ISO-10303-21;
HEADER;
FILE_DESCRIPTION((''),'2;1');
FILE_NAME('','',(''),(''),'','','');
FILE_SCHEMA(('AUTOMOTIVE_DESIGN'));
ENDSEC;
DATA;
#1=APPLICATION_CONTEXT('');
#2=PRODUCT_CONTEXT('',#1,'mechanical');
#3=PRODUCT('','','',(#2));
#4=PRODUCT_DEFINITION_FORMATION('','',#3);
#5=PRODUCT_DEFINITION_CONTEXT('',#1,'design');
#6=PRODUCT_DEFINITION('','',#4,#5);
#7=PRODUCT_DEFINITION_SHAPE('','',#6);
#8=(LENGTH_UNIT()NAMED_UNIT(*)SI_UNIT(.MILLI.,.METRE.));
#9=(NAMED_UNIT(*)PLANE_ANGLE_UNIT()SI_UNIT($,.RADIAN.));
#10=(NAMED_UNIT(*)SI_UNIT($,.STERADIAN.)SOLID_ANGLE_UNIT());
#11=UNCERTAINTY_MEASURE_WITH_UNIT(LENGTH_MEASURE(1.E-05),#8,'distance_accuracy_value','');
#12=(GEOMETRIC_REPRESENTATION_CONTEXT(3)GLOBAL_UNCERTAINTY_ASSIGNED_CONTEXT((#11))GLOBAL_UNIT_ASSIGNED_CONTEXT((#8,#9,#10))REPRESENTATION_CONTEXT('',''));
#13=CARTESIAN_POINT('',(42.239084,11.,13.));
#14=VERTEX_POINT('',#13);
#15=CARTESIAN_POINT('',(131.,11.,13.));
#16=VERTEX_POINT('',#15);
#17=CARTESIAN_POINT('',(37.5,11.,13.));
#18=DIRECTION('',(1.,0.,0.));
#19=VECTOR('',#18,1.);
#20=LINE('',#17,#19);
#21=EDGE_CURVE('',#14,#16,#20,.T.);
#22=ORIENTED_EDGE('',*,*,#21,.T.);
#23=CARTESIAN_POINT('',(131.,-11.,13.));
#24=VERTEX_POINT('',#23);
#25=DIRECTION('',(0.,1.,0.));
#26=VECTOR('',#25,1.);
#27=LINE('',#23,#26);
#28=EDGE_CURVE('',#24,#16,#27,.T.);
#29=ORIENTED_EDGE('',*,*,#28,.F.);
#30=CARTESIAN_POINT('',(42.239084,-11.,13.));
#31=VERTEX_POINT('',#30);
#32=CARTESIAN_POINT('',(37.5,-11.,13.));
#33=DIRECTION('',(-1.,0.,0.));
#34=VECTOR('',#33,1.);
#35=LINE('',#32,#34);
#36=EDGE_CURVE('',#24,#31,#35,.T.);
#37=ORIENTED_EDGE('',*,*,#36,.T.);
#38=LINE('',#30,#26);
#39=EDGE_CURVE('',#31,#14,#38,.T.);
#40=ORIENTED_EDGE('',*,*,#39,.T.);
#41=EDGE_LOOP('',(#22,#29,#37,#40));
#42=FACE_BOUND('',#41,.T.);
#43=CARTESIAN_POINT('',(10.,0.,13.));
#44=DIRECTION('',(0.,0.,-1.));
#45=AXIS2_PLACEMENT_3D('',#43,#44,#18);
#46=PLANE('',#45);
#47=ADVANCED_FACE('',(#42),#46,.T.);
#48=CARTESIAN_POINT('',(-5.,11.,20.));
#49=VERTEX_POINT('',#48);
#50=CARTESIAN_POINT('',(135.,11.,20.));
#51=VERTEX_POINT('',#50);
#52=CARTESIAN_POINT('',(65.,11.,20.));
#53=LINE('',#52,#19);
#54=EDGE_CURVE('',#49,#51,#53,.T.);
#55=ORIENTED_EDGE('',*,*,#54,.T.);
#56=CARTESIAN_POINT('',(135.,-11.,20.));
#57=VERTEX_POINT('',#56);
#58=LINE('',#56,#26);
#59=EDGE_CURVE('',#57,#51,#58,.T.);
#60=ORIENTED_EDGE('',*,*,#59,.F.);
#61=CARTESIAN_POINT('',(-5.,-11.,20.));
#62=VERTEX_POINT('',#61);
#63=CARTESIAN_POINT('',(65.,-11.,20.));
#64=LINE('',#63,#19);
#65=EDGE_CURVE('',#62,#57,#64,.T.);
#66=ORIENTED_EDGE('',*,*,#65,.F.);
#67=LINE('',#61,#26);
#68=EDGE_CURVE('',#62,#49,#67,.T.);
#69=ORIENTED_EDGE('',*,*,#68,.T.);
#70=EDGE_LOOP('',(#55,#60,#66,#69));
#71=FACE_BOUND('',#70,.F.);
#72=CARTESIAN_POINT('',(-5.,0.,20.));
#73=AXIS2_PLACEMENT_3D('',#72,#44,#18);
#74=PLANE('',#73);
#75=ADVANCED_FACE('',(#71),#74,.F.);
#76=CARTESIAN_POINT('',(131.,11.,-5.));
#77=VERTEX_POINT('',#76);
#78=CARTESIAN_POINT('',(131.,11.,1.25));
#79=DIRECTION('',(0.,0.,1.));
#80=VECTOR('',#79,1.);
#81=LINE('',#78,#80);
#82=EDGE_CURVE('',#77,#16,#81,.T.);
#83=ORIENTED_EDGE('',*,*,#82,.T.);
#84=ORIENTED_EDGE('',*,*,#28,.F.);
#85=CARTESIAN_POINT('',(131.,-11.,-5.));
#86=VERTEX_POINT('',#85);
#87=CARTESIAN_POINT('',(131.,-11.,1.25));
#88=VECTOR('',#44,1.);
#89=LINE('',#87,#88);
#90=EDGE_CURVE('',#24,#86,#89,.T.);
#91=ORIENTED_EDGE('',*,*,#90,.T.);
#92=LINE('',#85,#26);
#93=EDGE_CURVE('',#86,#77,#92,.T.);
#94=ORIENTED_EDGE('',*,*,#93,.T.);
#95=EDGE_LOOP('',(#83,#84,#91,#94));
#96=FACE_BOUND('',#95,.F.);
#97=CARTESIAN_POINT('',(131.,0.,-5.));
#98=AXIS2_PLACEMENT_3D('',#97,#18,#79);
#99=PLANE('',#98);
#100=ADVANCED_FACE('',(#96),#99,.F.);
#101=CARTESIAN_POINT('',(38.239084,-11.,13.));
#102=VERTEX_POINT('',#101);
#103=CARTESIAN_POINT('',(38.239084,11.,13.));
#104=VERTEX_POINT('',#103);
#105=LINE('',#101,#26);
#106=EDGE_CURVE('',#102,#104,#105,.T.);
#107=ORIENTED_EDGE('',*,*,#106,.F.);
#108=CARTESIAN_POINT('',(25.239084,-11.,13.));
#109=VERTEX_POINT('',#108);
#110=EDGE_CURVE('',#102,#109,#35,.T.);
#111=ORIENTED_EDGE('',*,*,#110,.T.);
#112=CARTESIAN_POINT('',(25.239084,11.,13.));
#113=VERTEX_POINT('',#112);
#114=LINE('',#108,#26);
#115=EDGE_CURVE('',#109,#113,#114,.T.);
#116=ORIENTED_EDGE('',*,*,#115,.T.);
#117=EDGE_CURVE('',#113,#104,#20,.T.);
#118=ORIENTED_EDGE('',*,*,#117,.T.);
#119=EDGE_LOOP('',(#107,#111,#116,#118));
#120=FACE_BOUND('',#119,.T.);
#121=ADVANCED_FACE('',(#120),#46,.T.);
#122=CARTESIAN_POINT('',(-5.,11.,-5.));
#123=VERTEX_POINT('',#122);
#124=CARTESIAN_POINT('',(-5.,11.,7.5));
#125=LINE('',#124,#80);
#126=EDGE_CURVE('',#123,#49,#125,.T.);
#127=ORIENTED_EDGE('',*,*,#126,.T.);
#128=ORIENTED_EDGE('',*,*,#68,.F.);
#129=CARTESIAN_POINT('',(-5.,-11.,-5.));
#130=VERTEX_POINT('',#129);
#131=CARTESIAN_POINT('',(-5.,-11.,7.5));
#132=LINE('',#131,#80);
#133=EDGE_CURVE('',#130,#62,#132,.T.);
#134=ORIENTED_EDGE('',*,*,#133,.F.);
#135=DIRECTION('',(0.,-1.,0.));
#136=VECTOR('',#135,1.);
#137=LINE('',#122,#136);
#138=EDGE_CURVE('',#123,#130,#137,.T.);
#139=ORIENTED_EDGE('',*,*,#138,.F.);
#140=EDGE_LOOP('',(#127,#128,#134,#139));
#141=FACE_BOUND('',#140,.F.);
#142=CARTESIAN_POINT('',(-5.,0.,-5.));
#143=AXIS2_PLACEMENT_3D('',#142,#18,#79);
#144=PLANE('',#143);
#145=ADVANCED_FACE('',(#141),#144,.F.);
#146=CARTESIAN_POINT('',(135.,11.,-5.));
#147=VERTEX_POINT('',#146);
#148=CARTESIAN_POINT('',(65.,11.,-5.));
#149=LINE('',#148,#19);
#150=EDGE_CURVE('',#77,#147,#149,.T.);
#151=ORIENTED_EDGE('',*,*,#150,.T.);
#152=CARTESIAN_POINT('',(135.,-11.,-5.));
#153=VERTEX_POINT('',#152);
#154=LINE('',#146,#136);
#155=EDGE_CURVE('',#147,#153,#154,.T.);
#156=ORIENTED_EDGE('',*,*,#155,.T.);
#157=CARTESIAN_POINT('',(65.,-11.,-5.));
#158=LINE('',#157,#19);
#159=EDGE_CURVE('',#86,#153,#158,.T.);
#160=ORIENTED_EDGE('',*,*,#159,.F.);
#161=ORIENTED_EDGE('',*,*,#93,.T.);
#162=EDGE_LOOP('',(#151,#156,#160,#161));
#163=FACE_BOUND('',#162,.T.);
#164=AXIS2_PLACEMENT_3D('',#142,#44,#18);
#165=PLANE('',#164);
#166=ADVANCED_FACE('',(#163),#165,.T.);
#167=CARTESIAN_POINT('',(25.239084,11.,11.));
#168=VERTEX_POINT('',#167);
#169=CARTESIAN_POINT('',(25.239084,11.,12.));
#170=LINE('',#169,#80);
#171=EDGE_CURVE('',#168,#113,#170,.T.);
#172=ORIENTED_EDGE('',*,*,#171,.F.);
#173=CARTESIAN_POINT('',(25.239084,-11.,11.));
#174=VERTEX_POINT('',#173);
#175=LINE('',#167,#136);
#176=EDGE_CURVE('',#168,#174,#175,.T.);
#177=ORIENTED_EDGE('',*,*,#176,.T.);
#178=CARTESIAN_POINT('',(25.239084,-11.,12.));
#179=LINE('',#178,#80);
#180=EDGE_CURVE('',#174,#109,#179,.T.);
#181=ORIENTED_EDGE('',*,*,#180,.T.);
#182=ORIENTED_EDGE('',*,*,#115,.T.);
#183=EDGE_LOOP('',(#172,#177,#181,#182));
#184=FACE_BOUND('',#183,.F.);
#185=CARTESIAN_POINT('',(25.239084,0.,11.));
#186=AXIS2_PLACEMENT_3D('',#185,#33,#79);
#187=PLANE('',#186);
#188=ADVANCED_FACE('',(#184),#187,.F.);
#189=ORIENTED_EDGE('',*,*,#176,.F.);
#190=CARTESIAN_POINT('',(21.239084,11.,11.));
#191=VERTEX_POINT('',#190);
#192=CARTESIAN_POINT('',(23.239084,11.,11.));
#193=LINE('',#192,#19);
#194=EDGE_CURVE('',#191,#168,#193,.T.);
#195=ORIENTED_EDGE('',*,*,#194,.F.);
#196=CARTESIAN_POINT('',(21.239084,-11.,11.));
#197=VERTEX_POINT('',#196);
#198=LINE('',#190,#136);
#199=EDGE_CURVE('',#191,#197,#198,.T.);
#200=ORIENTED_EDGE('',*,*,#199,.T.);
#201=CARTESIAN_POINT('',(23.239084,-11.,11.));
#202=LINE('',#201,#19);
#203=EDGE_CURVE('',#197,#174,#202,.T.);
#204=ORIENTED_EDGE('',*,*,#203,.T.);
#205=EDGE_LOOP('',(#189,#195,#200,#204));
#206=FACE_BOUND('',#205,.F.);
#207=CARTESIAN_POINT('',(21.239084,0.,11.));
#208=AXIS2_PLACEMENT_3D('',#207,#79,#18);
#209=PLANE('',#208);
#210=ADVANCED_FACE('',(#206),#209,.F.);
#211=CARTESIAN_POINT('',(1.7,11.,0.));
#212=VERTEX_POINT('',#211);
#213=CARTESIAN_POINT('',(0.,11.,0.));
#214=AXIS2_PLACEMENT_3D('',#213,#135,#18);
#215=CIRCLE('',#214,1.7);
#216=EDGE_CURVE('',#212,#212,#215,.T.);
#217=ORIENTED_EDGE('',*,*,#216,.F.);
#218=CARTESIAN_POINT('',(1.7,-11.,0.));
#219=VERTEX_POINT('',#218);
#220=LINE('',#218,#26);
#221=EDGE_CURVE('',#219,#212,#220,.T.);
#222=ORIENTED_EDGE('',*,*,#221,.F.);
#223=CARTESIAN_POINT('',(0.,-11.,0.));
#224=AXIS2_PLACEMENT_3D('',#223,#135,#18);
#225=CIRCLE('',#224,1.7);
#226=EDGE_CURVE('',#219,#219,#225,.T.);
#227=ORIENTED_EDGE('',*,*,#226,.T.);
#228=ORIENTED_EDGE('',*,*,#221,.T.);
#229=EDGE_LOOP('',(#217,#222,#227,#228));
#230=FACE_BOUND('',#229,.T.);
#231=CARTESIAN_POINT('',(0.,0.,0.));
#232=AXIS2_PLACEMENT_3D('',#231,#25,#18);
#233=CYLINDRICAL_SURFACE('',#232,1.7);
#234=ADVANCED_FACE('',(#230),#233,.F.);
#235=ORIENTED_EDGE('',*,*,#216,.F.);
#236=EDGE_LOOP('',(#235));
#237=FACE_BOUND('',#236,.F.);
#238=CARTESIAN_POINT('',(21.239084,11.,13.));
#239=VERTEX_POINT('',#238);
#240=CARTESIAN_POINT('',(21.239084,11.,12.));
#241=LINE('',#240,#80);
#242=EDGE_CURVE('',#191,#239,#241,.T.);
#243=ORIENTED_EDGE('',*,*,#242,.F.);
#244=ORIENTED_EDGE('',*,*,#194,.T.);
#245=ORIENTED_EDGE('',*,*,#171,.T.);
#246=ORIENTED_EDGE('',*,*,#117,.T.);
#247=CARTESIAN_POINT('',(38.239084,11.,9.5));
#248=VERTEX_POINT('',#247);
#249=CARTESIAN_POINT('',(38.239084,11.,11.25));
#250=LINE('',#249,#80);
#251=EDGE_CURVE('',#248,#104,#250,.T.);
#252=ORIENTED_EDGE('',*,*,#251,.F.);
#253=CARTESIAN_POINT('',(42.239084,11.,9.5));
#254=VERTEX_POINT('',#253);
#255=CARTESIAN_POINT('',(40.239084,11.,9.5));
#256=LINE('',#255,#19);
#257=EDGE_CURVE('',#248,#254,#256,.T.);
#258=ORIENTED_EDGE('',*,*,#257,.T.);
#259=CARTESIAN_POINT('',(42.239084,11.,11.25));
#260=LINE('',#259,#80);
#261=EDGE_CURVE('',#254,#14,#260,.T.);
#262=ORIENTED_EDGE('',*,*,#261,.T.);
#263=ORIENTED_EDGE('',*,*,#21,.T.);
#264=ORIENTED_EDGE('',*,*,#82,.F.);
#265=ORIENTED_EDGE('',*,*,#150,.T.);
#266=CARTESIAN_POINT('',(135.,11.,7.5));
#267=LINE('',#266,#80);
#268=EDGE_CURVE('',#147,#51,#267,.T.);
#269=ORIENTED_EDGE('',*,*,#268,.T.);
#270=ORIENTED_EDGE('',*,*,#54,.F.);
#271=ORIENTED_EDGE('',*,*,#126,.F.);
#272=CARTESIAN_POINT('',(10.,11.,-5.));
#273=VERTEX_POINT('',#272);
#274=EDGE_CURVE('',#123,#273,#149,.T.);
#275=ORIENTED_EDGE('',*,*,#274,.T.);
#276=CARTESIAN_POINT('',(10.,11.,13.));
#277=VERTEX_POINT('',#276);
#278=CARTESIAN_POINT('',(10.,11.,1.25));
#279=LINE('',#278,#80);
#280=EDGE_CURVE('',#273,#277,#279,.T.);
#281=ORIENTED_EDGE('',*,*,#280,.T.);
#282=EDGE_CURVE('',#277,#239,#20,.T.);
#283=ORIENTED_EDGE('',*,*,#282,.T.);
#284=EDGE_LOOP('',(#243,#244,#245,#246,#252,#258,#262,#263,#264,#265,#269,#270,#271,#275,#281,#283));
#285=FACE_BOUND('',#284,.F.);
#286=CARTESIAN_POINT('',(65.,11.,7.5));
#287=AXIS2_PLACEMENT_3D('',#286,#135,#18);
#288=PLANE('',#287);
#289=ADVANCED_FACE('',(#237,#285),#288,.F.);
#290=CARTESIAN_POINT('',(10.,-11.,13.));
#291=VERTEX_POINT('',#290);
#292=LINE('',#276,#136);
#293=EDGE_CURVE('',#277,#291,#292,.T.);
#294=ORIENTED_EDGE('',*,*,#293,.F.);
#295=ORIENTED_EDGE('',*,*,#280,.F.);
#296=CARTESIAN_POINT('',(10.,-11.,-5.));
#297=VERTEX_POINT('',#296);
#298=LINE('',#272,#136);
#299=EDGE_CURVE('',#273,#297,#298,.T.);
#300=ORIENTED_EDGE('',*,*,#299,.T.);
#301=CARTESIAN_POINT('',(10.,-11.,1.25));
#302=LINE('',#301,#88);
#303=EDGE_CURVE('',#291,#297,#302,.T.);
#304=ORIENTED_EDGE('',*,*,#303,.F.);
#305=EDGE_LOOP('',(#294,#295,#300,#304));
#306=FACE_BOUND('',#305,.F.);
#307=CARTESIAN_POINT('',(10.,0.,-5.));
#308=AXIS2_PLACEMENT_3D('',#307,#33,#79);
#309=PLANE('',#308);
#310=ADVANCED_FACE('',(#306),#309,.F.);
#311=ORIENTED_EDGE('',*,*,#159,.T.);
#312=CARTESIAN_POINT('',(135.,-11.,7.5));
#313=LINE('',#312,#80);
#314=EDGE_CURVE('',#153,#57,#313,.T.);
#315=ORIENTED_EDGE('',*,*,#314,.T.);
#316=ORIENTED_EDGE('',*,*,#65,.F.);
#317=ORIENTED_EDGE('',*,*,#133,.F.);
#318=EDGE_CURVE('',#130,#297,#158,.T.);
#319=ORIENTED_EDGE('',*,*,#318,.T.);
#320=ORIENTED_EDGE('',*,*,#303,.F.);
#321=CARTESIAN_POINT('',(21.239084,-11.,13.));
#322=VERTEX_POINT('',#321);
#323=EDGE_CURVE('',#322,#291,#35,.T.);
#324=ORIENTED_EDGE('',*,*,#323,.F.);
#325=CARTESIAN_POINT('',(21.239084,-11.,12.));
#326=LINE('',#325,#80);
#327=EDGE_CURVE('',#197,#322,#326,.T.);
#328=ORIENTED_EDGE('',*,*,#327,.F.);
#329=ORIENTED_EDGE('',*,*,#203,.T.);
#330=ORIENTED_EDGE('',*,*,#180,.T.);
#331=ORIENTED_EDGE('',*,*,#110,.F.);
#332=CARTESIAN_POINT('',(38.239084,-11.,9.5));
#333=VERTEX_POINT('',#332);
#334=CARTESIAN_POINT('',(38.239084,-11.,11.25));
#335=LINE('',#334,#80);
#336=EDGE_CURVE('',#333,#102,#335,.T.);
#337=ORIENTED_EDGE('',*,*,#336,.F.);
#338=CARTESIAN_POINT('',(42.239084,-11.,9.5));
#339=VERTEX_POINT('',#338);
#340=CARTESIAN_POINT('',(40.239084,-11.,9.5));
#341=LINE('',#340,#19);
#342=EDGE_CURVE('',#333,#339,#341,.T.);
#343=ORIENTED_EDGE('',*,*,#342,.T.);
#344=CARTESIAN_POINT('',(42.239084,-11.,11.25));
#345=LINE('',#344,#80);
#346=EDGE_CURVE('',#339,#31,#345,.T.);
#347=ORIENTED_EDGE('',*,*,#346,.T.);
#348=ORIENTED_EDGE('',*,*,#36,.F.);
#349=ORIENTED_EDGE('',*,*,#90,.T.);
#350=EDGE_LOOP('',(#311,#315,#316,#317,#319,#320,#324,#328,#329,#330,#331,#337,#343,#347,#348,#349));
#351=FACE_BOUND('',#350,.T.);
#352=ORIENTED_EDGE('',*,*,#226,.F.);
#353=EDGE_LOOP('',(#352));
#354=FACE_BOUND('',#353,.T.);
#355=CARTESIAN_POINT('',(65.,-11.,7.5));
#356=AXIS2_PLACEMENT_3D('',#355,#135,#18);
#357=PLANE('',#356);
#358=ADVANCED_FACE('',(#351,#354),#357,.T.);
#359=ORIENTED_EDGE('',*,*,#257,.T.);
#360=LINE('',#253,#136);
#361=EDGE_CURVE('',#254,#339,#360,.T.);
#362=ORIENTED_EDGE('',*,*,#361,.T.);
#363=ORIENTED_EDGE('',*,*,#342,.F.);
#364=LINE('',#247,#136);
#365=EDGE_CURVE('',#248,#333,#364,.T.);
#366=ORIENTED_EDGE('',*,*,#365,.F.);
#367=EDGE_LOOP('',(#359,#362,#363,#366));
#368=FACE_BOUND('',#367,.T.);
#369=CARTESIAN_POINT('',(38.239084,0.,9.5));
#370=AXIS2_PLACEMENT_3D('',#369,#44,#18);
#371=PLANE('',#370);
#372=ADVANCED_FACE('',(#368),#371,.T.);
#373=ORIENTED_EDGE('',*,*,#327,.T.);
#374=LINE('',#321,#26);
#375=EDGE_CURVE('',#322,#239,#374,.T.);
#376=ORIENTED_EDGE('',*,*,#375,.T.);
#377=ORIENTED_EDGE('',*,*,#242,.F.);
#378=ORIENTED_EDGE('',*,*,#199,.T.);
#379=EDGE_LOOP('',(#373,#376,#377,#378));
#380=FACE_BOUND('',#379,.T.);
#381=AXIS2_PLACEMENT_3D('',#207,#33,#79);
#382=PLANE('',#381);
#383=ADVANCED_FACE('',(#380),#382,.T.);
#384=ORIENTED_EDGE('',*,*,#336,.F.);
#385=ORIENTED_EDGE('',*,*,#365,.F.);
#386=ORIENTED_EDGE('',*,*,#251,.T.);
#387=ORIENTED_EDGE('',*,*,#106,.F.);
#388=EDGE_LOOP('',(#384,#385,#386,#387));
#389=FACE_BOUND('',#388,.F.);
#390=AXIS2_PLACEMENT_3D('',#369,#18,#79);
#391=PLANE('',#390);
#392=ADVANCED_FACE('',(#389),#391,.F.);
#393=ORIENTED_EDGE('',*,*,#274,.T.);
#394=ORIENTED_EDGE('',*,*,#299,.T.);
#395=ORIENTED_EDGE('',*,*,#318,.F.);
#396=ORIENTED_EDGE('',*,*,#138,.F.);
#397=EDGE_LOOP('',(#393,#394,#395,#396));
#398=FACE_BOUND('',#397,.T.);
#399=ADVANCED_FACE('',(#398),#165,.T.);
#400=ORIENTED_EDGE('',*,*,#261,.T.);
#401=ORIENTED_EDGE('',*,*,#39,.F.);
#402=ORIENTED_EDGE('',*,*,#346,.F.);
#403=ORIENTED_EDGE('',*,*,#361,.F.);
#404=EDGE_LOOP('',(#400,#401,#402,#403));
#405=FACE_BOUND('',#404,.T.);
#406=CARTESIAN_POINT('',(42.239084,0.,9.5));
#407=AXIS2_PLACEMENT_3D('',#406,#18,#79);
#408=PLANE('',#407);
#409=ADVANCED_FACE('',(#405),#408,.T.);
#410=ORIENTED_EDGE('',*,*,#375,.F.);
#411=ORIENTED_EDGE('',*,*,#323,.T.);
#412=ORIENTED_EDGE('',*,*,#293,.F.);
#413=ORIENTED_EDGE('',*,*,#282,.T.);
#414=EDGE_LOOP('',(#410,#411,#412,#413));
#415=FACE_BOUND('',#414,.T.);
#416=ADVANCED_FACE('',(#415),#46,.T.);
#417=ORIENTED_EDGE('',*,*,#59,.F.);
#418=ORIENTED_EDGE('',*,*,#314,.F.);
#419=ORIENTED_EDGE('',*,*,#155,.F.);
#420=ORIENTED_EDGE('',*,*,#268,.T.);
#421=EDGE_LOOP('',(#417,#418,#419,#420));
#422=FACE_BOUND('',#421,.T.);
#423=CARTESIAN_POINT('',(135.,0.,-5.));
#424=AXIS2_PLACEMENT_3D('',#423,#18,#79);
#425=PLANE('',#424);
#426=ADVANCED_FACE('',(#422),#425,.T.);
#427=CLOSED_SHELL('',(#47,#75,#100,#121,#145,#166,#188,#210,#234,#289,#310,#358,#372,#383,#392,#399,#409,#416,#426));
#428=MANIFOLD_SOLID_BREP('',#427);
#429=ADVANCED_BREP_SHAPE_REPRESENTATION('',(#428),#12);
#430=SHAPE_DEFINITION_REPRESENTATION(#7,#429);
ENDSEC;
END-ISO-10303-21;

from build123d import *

# Parameters (mm, degrees)
SKETCH_W          = 140
SKETCH_H          = 25
SKETCH_R          = 1.7
PAD_DEPTH         = 11
SKETCH001_W       = 121
SKETCH001_H       = 18
POCKET_DEPTH      = 11.001
POCKET_DEPTH_BACK = 11.001
SKETCH002_W       = 4
SKETCH002_H       = 2
SKETCH002_H_2     = 3.5
PAD001_DEPTH      = 11


with BuildPart() as part:
    # Sketch → Pad (new body, symmetric)
    with BuildSketch(Plane.XZ):
        with Locations((65, 7.5)):
            Rectangle(SKETCH_W, SKETCH_H)
        Circle(SKETCH_R, mode=Mode.SUBTRACT)
    extrude(amount=PAD_DEPTH, both=True)

    # Sketch001 → Pocket (cut, two sides)
    with BuildSketch(Plane.XZ) as pocket_sk:
        with Locations((70.5, 4)):
            Rectangle(SKETCH001_W, SKETCH001_H)
    extrude(amount=-POCKET_DEPTH, mode=Mode.SUBTRACT)
    extrude(pocket_sk.sketch, amount=POCKET_DEPTH_BACK, mode=Mode.SUBTRACT)

    # Sketch002 → Pad001 (join, symmetric)
    with BuildSketch(Plane.XZ):
        with Locations((23.239084, 12)):
            Rectangle(SKETCH002_W, SKETCH002_H)
        with Locations((40.239084, 11.25)):
            Rectangle(SKETCH002_W, SKETCH002_H_2)
    extrude(amount=PAD001_DEPTH, both=True)


solid = part.part
